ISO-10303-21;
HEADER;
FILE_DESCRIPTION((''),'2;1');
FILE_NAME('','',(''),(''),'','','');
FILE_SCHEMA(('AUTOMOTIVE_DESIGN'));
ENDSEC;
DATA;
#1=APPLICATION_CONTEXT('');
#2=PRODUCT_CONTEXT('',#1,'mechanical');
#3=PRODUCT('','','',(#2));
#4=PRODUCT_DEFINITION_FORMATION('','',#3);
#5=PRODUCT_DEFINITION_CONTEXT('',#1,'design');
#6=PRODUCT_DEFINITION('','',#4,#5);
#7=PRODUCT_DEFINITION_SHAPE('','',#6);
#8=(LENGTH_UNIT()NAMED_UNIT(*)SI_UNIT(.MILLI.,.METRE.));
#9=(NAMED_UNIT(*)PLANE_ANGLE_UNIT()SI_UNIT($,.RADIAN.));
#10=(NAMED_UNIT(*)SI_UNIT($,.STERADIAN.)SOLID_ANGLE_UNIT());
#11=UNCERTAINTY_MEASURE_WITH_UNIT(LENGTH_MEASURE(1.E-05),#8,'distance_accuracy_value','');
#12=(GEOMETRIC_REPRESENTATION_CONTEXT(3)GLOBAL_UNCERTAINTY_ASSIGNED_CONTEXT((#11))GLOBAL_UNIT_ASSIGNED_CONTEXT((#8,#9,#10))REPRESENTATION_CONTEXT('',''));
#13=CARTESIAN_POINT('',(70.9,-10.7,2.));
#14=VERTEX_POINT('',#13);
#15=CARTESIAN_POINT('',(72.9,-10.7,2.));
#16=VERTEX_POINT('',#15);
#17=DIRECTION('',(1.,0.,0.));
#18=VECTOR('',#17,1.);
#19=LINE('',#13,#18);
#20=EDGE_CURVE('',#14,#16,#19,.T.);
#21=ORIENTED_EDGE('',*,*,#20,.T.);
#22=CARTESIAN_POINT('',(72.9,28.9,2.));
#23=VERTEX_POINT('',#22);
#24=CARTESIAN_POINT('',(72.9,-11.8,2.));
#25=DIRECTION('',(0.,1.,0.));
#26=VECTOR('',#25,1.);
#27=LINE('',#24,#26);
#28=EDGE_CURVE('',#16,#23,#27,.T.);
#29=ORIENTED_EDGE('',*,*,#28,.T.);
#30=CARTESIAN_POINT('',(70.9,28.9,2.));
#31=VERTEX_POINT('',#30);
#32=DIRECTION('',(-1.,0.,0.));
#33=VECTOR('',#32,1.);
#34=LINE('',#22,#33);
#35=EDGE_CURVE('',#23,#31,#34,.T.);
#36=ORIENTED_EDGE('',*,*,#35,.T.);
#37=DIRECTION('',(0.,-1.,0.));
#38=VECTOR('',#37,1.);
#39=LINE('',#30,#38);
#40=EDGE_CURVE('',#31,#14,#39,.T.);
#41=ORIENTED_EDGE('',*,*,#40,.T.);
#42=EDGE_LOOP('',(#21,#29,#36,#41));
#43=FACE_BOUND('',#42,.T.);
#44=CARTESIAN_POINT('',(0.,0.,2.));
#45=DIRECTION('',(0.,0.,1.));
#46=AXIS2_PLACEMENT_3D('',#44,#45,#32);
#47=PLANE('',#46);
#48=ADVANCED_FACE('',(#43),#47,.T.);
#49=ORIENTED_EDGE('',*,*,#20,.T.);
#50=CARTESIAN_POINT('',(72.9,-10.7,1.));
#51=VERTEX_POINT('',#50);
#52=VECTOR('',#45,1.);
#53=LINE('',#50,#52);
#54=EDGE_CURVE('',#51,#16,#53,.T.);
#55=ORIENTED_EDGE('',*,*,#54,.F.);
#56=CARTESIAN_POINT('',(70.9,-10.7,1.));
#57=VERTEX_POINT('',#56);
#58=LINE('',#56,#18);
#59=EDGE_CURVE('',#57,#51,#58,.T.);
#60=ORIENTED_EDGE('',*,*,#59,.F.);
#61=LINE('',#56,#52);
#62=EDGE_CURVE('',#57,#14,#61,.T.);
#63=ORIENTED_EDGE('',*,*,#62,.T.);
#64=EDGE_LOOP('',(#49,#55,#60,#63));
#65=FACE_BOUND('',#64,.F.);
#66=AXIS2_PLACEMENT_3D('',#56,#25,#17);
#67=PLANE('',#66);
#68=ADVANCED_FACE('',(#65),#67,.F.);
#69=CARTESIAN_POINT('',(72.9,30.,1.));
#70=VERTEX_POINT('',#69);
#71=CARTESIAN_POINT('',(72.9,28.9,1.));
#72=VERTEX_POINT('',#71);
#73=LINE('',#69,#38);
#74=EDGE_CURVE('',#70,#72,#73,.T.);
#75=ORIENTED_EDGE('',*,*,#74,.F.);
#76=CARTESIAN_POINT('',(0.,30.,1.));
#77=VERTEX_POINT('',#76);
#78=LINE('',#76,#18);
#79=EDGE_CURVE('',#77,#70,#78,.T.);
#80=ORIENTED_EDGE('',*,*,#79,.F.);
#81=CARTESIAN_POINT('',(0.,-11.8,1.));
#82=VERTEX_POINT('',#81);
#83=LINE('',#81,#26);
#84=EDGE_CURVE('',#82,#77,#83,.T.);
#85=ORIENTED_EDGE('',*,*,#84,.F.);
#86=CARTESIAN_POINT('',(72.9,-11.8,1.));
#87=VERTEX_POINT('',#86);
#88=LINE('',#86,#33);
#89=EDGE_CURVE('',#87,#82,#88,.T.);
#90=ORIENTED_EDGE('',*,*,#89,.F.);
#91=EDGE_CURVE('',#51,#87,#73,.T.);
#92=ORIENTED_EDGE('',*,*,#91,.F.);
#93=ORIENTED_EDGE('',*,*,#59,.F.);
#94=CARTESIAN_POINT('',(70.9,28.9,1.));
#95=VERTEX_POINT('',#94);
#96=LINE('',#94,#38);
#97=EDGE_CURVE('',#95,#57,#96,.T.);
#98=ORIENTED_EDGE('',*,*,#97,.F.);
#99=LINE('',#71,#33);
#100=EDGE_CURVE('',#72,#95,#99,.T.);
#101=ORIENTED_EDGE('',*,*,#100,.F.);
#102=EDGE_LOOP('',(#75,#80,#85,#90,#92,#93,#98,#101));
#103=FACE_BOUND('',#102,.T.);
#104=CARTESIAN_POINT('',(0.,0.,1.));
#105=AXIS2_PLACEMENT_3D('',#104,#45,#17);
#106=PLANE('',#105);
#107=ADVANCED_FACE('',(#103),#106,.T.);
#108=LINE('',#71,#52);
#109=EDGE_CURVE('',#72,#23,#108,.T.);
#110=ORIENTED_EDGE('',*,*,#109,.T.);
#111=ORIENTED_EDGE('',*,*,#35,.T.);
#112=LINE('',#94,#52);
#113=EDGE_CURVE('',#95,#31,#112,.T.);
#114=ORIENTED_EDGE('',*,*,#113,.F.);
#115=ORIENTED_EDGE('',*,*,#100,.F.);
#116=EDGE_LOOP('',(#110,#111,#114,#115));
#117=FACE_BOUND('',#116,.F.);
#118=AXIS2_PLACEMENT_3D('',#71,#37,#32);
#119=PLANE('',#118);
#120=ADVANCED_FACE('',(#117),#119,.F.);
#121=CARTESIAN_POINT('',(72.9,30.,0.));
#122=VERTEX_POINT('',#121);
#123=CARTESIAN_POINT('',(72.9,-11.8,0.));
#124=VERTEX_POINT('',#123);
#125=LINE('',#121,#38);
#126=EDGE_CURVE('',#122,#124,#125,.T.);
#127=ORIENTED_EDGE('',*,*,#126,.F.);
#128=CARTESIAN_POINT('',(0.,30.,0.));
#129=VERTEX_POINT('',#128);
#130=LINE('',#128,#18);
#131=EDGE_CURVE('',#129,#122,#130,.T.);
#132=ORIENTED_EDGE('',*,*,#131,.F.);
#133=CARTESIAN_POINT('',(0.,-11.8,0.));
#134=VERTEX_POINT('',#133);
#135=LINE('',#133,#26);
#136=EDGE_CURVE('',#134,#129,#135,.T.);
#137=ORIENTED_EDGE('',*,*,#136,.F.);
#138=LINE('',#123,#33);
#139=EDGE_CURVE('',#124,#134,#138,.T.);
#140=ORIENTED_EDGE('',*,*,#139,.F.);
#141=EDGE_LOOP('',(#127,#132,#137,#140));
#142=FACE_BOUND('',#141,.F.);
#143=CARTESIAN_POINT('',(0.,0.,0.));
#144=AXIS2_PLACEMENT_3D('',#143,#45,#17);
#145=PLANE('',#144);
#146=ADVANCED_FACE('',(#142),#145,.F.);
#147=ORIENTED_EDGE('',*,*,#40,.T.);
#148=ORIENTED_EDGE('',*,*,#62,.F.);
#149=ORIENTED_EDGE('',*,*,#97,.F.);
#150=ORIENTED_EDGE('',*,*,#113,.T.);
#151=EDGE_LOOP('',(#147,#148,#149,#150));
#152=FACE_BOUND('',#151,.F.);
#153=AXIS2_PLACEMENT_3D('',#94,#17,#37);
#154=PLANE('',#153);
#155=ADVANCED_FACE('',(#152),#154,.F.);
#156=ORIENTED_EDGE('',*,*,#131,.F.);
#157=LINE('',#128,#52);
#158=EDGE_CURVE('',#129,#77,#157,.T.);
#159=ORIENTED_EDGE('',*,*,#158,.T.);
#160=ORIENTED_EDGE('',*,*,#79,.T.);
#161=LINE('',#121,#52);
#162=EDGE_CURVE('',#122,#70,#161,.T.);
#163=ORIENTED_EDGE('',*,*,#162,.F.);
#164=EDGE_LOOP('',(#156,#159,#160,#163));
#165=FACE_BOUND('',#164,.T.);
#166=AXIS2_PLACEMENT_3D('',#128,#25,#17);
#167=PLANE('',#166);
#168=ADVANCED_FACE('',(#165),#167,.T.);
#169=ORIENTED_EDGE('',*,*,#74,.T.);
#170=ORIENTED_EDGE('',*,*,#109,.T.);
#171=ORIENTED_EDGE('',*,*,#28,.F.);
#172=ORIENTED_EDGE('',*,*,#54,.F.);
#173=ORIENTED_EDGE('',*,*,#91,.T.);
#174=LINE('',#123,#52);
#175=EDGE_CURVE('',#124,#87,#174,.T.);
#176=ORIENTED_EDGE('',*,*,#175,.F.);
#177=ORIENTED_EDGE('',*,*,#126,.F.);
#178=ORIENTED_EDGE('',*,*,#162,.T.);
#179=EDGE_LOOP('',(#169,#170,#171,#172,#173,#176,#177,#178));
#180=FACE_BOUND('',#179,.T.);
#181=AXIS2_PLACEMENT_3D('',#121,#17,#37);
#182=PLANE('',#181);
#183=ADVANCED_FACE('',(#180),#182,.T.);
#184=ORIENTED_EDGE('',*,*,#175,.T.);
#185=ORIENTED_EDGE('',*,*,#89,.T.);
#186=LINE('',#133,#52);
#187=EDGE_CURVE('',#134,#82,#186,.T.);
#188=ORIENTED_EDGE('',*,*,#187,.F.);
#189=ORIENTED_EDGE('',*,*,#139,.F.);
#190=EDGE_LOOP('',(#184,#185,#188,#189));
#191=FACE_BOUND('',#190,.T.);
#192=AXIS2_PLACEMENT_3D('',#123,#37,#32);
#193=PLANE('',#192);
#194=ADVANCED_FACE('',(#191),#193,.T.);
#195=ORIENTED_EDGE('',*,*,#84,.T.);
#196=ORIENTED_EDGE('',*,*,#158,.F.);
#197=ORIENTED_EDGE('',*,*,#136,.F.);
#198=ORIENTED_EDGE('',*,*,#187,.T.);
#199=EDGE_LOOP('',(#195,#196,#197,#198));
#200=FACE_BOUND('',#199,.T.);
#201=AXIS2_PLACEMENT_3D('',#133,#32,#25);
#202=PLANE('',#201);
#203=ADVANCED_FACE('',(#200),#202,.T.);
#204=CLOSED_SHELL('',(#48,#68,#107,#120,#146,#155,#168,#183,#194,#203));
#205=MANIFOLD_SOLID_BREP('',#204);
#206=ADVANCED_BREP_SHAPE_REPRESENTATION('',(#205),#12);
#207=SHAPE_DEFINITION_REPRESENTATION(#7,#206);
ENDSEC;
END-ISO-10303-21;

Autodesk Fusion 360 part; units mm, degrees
sketch "Sketch1" plane through (0, 0, 0) normal (0, 0, 1) x (1, 0, 0)
  line L0 (0, 30) -> (72.9, 30)
  line L1 (72.9, 30) -> (72.9, -11.8)
  line L2 (72.9, -11.8) -> (0, -11.8)
  line L3 (0, -11.8) -> (0, 30)
  dimension "d1" = 72.9
  dimension "d2" = 41.8
extrude "Extrude1" add sketch "Sketch1" along normal blind 1
sketch "Sketch2" plane through (0, 0, 1) normal (0, 0, 1) x (-1, 0, 0)
  line L0 (0, 11.8) -> (-72.9, 11.8)
  line L1 (-72.9, 11.8) -> (-72.9, -30)
  line L2 (-72.9, -30) -> (0, -30)
  line L3 (0, -30) -> (0, 11.8)
  line L4 (0, -9.1) -> (-72.9, -9.1) construction
  line L5 (-72.9, -28.9) -> (-70.9, -28.9)
  line L6 (-70.9, -28.9) -> (-70.9, 10.7)
  line L7 (-70.9, 10.7) -> (-72.9, 10.7)
  line L8 (-72.9, 10.7) -> (-72.9, -28.9)
  dimension "d5" = 39.6
  dimension "d6" = 2
extrude "Extrude2" add sketch "Sketch2" along normal blind 1 contours L1 L5 L6 L7 L8
